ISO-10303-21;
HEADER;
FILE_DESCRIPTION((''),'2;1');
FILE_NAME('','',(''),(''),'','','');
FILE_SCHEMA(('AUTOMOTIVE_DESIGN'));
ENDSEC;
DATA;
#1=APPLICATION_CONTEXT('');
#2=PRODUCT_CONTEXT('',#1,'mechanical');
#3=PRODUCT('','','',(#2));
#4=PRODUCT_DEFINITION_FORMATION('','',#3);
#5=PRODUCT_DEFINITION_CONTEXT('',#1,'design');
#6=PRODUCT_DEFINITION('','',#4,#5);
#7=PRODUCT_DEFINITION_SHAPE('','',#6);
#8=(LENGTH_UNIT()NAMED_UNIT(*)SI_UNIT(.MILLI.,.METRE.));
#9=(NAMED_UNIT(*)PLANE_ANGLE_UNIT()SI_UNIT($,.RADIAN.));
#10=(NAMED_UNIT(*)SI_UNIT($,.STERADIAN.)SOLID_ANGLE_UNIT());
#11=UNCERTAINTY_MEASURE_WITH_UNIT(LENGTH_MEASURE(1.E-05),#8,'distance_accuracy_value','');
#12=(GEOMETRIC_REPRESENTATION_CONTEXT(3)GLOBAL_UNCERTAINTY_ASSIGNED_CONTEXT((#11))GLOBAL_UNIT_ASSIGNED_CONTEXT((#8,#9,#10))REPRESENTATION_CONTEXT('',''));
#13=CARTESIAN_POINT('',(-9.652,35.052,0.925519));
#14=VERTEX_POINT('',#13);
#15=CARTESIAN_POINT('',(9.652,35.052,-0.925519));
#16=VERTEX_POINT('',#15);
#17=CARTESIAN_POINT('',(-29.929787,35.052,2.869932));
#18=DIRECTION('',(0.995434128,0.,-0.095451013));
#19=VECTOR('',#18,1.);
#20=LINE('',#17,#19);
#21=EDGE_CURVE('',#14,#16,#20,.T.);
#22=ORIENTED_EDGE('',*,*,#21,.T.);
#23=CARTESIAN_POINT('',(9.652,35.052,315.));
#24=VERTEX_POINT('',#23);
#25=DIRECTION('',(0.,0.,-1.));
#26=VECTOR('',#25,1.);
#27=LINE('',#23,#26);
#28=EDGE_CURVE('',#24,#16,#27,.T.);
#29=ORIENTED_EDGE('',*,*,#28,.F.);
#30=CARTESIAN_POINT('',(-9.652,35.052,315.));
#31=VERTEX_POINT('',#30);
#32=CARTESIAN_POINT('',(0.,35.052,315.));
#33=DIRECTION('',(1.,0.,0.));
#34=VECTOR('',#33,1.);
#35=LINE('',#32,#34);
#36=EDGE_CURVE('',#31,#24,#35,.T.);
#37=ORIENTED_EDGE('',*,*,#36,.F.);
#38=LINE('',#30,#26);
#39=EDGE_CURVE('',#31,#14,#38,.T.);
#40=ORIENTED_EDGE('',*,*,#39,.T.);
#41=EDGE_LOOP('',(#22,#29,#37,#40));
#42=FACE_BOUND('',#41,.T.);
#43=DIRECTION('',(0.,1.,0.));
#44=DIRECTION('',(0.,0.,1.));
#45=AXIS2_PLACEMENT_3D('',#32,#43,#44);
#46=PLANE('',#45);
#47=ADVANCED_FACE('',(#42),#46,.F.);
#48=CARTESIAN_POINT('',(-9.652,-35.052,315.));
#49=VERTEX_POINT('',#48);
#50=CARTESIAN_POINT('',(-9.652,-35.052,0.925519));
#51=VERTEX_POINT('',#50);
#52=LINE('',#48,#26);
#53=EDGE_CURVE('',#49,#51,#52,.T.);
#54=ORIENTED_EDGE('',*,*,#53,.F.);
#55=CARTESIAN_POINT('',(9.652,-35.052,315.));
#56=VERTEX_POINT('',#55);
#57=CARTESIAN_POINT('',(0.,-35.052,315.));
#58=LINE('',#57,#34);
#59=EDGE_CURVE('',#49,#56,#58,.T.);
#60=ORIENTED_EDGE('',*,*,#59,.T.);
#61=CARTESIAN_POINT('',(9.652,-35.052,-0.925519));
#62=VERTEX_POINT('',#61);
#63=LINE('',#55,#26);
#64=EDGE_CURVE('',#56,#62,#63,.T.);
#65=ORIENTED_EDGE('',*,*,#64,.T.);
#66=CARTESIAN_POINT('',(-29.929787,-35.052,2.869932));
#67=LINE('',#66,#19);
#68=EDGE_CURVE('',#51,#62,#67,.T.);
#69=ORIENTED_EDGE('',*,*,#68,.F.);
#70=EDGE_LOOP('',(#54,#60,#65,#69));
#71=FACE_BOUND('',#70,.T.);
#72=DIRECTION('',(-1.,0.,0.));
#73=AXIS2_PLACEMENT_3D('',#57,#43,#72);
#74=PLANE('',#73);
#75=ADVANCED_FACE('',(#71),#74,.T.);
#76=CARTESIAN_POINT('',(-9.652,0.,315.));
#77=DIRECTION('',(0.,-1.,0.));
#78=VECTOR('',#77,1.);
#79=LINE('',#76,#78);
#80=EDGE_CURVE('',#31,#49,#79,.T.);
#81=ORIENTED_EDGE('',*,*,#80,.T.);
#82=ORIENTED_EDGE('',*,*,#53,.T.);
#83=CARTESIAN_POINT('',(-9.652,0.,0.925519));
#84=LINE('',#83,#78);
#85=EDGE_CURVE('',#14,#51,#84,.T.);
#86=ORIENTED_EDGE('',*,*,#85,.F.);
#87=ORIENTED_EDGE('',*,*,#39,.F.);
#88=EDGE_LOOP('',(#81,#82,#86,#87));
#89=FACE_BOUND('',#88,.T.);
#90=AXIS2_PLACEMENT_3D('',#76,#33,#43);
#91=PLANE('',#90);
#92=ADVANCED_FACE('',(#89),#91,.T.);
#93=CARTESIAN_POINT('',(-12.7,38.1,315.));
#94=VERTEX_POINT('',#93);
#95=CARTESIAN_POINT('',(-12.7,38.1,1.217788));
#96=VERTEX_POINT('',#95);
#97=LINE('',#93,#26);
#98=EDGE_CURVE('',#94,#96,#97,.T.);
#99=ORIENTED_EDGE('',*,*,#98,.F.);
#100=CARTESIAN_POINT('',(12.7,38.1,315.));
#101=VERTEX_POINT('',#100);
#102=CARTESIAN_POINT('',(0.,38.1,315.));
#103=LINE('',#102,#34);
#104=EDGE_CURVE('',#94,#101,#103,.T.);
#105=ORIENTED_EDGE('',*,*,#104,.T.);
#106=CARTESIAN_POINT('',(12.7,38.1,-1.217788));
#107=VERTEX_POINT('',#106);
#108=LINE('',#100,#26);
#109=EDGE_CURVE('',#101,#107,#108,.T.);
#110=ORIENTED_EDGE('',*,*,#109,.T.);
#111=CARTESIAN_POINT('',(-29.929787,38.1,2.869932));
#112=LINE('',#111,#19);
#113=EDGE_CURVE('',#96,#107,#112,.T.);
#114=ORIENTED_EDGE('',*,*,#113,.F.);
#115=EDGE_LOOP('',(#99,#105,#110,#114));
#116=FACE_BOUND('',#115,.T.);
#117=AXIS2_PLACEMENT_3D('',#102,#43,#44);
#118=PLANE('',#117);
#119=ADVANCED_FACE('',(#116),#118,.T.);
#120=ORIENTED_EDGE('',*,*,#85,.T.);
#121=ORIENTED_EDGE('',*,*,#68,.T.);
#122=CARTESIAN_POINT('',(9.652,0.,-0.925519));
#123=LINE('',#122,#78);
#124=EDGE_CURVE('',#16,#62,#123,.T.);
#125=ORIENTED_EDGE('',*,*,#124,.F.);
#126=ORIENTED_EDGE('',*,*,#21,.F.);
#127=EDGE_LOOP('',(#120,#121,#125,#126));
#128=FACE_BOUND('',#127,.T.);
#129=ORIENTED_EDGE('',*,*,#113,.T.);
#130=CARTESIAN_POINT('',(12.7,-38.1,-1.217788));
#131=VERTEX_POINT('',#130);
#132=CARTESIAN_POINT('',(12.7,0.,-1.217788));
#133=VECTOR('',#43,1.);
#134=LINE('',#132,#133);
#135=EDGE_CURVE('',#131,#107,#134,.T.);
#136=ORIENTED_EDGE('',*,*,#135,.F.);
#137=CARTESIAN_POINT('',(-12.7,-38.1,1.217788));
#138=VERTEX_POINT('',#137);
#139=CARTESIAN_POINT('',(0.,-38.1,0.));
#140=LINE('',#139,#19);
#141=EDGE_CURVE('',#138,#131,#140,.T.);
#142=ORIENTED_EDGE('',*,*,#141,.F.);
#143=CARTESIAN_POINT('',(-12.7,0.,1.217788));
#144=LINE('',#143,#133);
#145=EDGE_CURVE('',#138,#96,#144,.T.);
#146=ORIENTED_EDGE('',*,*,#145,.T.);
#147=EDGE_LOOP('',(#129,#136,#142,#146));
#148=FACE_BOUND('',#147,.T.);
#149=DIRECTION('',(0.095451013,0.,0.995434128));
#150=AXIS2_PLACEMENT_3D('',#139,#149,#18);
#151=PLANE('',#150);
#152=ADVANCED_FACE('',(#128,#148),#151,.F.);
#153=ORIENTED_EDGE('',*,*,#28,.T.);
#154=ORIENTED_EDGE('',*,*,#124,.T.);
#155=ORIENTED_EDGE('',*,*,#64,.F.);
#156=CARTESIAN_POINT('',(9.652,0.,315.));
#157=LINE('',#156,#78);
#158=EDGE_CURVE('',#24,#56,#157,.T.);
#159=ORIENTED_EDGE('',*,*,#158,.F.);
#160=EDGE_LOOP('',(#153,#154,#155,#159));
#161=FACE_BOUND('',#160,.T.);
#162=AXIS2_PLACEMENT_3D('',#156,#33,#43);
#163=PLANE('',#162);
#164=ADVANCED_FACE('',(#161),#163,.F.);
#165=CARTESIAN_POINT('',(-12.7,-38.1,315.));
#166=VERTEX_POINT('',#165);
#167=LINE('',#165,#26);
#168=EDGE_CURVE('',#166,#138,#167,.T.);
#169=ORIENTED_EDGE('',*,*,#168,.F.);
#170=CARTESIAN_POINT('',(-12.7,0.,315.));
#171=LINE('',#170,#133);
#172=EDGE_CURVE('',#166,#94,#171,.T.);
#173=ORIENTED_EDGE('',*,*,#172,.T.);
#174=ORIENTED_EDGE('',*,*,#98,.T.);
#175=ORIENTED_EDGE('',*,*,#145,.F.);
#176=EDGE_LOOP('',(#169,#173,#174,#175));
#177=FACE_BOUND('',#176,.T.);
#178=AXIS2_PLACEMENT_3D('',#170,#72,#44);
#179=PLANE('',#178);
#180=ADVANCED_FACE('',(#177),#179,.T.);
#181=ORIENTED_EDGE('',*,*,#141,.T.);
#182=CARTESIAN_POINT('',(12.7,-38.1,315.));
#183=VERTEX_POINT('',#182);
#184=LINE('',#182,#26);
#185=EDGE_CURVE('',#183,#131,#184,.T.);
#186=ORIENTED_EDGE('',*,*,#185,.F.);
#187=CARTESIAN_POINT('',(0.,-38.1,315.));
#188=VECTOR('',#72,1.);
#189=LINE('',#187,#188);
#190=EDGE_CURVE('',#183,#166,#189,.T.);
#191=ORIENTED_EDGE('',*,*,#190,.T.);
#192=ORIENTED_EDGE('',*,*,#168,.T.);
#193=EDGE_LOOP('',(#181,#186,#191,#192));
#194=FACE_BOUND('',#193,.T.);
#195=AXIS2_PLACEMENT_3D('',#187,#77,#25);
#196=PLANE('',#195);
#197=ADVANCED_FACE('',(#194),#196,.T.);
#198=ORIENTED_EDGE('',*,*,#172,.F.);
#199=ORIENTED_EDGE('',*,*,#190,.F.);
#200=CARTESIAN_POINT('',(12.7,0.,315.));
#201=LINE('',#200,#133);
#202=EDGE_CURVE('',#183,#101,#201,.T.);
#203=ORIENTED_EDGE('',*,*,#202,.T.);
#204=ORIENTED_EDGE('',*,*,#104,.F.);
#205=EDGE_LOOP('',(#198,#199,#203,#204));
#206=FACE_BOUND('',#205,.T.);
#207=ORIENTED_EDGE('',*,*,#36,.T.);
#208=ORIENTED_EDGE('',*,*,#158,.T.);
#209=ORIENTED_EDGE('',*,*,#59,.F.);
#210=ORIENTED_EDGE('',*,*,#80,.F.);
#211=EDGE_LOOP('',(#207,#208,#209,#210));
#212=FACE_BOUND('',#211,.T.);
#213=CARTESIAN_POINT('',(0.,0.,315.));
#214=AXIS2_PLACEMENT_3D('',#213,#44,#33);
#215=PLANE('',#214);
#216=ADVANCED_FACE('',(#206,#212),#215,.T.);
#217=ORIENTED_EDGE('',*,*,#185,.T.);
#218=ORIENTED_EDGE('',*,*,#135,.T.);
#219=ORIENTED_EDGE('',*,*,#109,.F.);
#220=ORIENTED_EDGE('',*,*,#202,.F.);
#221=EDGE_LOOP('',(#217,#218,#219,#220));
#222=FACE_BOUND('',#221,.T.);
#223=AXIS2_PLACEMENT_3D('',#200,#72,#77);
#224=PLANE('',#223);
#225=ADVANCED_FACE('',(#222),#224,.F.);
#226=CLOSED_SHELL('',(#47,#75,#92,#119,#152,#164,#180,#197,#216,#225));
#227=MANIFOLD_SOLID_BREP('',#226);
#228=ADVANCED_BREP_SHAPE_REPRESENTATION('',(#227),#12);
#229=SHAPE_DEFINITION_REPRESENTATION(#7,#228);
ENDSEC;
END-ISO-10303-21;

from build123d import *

# Parameters (mm, degrees)
SKETCH2_W               = 9.652
SKETCH2_H               = 3.048
SKETCH2_W_2             = 3.048
SKETCH2_H_2             = 35.052
BOSS_EXTRUDE1_DEPTH     = 315
SKETCH3_W               = 25.4
SKETCH3_H               = 76.2
SKETCH3_W_2             = 19.304
SKETCH3_H_2             = 70.104
BOSS_EXTRUDE2_DEPTH     = 50
CUT_EXTRUDE1_DEPTH      = 1
CUT_EXTRUDE1_DEPTH_BACK = 77.2


with BuildPart() as part:
    # Sketch2 → Boss-Extrude1 (new body)
    with BuildSketch(Plane.XY):
        Polygon((-12.7, 0), (-9.652, 0), (-9.652, 35.052), (-9.652, 38.1), (-12.7, 38.1), align=None)
        with Locations((-4.826, 36.576)):
            Rectangle(SKETCH2_W, SKETCH2_H)
        Polygon((0, 38.1), (0, 35.052), (9.652, 35.052), (9.652, 0), (12.7, 0), (12.7, 38.1), align=None)
        with Locations((11.176, -17.526)):
            Rectangle(SKETCH2_W_2, SKETCH2_H_2)
        Polygon((-9.652, -35.052), (-9.652, 0), (-12.7, 0), (-12.7, -38.1), (0, -38.1), (0, -35.052), align=None)
        Polygon((9.652, -35.052), (0, -35.052), (0, -38.1), (12.7, -38.1), (12.7, -35.052), align=None)
    extrude(amount=BOSS_EXTRUDE1_DEPTH)

    # Sketch3 → Boss-Extrude2 (add)
    with BuildSketch(Plane(origin=(0, 0, 0), x_dir=(-1, 0, 0), z_dir=(0, 0, -1))):
        Rectangle(SKETCH3_W, SKETCH3_H)
        Rectangle(SKETCH3_W_2, SKETCH3_H_2, mode=Mode.SUBTRACT)
    extrude(amount=BOSS_EXTRUDE2_DEPTH)

    # Sketch4 → Cut-Extrude1 (cut, two sides)
    with BuildSketch(Plane(origin=(0, 38.1, 0), x_dir=(1, 0, 0), z_dir=(0, 1, 0))) as cut_extrude1_sk:
        Polygon((-12.7, 46.179632344), (-70.94979307, -6.803292614), (-12.7, -1.217788135), align=None)
        Polygon((-77.560178635, 62.134722349), (-70.94979307, -6.803292614), (-12.7, 46.179632344), (-12.7, 50), (12.7, 50), (12.7, 1.217788135), (70.94979307, 6.803292614), (64.339407504, 75.741307577), align=None)
        Polygon((-12.7, 46.179632344), (-12.7, -1.217788135), (0, 0), (-9.501519639, 49.088910403), align=None)
        Polygon((-12.7, 50), (-12.7, 46.179632344), (-9.501519639, 49.088910403), (0, 0), (12.7, 1.217788135), (12.7, 50), align=None)
    extrude(amount=CUT_EXTRUDE1_DEPTH, mode=Mode.SUBTRACT)
    extrude(cut_extrude1_sk.sketch, amount=-CUT_EXTRUDE1_DEPTH_BACK, mode=Mode.SUBTRACT)


solid = part.part
